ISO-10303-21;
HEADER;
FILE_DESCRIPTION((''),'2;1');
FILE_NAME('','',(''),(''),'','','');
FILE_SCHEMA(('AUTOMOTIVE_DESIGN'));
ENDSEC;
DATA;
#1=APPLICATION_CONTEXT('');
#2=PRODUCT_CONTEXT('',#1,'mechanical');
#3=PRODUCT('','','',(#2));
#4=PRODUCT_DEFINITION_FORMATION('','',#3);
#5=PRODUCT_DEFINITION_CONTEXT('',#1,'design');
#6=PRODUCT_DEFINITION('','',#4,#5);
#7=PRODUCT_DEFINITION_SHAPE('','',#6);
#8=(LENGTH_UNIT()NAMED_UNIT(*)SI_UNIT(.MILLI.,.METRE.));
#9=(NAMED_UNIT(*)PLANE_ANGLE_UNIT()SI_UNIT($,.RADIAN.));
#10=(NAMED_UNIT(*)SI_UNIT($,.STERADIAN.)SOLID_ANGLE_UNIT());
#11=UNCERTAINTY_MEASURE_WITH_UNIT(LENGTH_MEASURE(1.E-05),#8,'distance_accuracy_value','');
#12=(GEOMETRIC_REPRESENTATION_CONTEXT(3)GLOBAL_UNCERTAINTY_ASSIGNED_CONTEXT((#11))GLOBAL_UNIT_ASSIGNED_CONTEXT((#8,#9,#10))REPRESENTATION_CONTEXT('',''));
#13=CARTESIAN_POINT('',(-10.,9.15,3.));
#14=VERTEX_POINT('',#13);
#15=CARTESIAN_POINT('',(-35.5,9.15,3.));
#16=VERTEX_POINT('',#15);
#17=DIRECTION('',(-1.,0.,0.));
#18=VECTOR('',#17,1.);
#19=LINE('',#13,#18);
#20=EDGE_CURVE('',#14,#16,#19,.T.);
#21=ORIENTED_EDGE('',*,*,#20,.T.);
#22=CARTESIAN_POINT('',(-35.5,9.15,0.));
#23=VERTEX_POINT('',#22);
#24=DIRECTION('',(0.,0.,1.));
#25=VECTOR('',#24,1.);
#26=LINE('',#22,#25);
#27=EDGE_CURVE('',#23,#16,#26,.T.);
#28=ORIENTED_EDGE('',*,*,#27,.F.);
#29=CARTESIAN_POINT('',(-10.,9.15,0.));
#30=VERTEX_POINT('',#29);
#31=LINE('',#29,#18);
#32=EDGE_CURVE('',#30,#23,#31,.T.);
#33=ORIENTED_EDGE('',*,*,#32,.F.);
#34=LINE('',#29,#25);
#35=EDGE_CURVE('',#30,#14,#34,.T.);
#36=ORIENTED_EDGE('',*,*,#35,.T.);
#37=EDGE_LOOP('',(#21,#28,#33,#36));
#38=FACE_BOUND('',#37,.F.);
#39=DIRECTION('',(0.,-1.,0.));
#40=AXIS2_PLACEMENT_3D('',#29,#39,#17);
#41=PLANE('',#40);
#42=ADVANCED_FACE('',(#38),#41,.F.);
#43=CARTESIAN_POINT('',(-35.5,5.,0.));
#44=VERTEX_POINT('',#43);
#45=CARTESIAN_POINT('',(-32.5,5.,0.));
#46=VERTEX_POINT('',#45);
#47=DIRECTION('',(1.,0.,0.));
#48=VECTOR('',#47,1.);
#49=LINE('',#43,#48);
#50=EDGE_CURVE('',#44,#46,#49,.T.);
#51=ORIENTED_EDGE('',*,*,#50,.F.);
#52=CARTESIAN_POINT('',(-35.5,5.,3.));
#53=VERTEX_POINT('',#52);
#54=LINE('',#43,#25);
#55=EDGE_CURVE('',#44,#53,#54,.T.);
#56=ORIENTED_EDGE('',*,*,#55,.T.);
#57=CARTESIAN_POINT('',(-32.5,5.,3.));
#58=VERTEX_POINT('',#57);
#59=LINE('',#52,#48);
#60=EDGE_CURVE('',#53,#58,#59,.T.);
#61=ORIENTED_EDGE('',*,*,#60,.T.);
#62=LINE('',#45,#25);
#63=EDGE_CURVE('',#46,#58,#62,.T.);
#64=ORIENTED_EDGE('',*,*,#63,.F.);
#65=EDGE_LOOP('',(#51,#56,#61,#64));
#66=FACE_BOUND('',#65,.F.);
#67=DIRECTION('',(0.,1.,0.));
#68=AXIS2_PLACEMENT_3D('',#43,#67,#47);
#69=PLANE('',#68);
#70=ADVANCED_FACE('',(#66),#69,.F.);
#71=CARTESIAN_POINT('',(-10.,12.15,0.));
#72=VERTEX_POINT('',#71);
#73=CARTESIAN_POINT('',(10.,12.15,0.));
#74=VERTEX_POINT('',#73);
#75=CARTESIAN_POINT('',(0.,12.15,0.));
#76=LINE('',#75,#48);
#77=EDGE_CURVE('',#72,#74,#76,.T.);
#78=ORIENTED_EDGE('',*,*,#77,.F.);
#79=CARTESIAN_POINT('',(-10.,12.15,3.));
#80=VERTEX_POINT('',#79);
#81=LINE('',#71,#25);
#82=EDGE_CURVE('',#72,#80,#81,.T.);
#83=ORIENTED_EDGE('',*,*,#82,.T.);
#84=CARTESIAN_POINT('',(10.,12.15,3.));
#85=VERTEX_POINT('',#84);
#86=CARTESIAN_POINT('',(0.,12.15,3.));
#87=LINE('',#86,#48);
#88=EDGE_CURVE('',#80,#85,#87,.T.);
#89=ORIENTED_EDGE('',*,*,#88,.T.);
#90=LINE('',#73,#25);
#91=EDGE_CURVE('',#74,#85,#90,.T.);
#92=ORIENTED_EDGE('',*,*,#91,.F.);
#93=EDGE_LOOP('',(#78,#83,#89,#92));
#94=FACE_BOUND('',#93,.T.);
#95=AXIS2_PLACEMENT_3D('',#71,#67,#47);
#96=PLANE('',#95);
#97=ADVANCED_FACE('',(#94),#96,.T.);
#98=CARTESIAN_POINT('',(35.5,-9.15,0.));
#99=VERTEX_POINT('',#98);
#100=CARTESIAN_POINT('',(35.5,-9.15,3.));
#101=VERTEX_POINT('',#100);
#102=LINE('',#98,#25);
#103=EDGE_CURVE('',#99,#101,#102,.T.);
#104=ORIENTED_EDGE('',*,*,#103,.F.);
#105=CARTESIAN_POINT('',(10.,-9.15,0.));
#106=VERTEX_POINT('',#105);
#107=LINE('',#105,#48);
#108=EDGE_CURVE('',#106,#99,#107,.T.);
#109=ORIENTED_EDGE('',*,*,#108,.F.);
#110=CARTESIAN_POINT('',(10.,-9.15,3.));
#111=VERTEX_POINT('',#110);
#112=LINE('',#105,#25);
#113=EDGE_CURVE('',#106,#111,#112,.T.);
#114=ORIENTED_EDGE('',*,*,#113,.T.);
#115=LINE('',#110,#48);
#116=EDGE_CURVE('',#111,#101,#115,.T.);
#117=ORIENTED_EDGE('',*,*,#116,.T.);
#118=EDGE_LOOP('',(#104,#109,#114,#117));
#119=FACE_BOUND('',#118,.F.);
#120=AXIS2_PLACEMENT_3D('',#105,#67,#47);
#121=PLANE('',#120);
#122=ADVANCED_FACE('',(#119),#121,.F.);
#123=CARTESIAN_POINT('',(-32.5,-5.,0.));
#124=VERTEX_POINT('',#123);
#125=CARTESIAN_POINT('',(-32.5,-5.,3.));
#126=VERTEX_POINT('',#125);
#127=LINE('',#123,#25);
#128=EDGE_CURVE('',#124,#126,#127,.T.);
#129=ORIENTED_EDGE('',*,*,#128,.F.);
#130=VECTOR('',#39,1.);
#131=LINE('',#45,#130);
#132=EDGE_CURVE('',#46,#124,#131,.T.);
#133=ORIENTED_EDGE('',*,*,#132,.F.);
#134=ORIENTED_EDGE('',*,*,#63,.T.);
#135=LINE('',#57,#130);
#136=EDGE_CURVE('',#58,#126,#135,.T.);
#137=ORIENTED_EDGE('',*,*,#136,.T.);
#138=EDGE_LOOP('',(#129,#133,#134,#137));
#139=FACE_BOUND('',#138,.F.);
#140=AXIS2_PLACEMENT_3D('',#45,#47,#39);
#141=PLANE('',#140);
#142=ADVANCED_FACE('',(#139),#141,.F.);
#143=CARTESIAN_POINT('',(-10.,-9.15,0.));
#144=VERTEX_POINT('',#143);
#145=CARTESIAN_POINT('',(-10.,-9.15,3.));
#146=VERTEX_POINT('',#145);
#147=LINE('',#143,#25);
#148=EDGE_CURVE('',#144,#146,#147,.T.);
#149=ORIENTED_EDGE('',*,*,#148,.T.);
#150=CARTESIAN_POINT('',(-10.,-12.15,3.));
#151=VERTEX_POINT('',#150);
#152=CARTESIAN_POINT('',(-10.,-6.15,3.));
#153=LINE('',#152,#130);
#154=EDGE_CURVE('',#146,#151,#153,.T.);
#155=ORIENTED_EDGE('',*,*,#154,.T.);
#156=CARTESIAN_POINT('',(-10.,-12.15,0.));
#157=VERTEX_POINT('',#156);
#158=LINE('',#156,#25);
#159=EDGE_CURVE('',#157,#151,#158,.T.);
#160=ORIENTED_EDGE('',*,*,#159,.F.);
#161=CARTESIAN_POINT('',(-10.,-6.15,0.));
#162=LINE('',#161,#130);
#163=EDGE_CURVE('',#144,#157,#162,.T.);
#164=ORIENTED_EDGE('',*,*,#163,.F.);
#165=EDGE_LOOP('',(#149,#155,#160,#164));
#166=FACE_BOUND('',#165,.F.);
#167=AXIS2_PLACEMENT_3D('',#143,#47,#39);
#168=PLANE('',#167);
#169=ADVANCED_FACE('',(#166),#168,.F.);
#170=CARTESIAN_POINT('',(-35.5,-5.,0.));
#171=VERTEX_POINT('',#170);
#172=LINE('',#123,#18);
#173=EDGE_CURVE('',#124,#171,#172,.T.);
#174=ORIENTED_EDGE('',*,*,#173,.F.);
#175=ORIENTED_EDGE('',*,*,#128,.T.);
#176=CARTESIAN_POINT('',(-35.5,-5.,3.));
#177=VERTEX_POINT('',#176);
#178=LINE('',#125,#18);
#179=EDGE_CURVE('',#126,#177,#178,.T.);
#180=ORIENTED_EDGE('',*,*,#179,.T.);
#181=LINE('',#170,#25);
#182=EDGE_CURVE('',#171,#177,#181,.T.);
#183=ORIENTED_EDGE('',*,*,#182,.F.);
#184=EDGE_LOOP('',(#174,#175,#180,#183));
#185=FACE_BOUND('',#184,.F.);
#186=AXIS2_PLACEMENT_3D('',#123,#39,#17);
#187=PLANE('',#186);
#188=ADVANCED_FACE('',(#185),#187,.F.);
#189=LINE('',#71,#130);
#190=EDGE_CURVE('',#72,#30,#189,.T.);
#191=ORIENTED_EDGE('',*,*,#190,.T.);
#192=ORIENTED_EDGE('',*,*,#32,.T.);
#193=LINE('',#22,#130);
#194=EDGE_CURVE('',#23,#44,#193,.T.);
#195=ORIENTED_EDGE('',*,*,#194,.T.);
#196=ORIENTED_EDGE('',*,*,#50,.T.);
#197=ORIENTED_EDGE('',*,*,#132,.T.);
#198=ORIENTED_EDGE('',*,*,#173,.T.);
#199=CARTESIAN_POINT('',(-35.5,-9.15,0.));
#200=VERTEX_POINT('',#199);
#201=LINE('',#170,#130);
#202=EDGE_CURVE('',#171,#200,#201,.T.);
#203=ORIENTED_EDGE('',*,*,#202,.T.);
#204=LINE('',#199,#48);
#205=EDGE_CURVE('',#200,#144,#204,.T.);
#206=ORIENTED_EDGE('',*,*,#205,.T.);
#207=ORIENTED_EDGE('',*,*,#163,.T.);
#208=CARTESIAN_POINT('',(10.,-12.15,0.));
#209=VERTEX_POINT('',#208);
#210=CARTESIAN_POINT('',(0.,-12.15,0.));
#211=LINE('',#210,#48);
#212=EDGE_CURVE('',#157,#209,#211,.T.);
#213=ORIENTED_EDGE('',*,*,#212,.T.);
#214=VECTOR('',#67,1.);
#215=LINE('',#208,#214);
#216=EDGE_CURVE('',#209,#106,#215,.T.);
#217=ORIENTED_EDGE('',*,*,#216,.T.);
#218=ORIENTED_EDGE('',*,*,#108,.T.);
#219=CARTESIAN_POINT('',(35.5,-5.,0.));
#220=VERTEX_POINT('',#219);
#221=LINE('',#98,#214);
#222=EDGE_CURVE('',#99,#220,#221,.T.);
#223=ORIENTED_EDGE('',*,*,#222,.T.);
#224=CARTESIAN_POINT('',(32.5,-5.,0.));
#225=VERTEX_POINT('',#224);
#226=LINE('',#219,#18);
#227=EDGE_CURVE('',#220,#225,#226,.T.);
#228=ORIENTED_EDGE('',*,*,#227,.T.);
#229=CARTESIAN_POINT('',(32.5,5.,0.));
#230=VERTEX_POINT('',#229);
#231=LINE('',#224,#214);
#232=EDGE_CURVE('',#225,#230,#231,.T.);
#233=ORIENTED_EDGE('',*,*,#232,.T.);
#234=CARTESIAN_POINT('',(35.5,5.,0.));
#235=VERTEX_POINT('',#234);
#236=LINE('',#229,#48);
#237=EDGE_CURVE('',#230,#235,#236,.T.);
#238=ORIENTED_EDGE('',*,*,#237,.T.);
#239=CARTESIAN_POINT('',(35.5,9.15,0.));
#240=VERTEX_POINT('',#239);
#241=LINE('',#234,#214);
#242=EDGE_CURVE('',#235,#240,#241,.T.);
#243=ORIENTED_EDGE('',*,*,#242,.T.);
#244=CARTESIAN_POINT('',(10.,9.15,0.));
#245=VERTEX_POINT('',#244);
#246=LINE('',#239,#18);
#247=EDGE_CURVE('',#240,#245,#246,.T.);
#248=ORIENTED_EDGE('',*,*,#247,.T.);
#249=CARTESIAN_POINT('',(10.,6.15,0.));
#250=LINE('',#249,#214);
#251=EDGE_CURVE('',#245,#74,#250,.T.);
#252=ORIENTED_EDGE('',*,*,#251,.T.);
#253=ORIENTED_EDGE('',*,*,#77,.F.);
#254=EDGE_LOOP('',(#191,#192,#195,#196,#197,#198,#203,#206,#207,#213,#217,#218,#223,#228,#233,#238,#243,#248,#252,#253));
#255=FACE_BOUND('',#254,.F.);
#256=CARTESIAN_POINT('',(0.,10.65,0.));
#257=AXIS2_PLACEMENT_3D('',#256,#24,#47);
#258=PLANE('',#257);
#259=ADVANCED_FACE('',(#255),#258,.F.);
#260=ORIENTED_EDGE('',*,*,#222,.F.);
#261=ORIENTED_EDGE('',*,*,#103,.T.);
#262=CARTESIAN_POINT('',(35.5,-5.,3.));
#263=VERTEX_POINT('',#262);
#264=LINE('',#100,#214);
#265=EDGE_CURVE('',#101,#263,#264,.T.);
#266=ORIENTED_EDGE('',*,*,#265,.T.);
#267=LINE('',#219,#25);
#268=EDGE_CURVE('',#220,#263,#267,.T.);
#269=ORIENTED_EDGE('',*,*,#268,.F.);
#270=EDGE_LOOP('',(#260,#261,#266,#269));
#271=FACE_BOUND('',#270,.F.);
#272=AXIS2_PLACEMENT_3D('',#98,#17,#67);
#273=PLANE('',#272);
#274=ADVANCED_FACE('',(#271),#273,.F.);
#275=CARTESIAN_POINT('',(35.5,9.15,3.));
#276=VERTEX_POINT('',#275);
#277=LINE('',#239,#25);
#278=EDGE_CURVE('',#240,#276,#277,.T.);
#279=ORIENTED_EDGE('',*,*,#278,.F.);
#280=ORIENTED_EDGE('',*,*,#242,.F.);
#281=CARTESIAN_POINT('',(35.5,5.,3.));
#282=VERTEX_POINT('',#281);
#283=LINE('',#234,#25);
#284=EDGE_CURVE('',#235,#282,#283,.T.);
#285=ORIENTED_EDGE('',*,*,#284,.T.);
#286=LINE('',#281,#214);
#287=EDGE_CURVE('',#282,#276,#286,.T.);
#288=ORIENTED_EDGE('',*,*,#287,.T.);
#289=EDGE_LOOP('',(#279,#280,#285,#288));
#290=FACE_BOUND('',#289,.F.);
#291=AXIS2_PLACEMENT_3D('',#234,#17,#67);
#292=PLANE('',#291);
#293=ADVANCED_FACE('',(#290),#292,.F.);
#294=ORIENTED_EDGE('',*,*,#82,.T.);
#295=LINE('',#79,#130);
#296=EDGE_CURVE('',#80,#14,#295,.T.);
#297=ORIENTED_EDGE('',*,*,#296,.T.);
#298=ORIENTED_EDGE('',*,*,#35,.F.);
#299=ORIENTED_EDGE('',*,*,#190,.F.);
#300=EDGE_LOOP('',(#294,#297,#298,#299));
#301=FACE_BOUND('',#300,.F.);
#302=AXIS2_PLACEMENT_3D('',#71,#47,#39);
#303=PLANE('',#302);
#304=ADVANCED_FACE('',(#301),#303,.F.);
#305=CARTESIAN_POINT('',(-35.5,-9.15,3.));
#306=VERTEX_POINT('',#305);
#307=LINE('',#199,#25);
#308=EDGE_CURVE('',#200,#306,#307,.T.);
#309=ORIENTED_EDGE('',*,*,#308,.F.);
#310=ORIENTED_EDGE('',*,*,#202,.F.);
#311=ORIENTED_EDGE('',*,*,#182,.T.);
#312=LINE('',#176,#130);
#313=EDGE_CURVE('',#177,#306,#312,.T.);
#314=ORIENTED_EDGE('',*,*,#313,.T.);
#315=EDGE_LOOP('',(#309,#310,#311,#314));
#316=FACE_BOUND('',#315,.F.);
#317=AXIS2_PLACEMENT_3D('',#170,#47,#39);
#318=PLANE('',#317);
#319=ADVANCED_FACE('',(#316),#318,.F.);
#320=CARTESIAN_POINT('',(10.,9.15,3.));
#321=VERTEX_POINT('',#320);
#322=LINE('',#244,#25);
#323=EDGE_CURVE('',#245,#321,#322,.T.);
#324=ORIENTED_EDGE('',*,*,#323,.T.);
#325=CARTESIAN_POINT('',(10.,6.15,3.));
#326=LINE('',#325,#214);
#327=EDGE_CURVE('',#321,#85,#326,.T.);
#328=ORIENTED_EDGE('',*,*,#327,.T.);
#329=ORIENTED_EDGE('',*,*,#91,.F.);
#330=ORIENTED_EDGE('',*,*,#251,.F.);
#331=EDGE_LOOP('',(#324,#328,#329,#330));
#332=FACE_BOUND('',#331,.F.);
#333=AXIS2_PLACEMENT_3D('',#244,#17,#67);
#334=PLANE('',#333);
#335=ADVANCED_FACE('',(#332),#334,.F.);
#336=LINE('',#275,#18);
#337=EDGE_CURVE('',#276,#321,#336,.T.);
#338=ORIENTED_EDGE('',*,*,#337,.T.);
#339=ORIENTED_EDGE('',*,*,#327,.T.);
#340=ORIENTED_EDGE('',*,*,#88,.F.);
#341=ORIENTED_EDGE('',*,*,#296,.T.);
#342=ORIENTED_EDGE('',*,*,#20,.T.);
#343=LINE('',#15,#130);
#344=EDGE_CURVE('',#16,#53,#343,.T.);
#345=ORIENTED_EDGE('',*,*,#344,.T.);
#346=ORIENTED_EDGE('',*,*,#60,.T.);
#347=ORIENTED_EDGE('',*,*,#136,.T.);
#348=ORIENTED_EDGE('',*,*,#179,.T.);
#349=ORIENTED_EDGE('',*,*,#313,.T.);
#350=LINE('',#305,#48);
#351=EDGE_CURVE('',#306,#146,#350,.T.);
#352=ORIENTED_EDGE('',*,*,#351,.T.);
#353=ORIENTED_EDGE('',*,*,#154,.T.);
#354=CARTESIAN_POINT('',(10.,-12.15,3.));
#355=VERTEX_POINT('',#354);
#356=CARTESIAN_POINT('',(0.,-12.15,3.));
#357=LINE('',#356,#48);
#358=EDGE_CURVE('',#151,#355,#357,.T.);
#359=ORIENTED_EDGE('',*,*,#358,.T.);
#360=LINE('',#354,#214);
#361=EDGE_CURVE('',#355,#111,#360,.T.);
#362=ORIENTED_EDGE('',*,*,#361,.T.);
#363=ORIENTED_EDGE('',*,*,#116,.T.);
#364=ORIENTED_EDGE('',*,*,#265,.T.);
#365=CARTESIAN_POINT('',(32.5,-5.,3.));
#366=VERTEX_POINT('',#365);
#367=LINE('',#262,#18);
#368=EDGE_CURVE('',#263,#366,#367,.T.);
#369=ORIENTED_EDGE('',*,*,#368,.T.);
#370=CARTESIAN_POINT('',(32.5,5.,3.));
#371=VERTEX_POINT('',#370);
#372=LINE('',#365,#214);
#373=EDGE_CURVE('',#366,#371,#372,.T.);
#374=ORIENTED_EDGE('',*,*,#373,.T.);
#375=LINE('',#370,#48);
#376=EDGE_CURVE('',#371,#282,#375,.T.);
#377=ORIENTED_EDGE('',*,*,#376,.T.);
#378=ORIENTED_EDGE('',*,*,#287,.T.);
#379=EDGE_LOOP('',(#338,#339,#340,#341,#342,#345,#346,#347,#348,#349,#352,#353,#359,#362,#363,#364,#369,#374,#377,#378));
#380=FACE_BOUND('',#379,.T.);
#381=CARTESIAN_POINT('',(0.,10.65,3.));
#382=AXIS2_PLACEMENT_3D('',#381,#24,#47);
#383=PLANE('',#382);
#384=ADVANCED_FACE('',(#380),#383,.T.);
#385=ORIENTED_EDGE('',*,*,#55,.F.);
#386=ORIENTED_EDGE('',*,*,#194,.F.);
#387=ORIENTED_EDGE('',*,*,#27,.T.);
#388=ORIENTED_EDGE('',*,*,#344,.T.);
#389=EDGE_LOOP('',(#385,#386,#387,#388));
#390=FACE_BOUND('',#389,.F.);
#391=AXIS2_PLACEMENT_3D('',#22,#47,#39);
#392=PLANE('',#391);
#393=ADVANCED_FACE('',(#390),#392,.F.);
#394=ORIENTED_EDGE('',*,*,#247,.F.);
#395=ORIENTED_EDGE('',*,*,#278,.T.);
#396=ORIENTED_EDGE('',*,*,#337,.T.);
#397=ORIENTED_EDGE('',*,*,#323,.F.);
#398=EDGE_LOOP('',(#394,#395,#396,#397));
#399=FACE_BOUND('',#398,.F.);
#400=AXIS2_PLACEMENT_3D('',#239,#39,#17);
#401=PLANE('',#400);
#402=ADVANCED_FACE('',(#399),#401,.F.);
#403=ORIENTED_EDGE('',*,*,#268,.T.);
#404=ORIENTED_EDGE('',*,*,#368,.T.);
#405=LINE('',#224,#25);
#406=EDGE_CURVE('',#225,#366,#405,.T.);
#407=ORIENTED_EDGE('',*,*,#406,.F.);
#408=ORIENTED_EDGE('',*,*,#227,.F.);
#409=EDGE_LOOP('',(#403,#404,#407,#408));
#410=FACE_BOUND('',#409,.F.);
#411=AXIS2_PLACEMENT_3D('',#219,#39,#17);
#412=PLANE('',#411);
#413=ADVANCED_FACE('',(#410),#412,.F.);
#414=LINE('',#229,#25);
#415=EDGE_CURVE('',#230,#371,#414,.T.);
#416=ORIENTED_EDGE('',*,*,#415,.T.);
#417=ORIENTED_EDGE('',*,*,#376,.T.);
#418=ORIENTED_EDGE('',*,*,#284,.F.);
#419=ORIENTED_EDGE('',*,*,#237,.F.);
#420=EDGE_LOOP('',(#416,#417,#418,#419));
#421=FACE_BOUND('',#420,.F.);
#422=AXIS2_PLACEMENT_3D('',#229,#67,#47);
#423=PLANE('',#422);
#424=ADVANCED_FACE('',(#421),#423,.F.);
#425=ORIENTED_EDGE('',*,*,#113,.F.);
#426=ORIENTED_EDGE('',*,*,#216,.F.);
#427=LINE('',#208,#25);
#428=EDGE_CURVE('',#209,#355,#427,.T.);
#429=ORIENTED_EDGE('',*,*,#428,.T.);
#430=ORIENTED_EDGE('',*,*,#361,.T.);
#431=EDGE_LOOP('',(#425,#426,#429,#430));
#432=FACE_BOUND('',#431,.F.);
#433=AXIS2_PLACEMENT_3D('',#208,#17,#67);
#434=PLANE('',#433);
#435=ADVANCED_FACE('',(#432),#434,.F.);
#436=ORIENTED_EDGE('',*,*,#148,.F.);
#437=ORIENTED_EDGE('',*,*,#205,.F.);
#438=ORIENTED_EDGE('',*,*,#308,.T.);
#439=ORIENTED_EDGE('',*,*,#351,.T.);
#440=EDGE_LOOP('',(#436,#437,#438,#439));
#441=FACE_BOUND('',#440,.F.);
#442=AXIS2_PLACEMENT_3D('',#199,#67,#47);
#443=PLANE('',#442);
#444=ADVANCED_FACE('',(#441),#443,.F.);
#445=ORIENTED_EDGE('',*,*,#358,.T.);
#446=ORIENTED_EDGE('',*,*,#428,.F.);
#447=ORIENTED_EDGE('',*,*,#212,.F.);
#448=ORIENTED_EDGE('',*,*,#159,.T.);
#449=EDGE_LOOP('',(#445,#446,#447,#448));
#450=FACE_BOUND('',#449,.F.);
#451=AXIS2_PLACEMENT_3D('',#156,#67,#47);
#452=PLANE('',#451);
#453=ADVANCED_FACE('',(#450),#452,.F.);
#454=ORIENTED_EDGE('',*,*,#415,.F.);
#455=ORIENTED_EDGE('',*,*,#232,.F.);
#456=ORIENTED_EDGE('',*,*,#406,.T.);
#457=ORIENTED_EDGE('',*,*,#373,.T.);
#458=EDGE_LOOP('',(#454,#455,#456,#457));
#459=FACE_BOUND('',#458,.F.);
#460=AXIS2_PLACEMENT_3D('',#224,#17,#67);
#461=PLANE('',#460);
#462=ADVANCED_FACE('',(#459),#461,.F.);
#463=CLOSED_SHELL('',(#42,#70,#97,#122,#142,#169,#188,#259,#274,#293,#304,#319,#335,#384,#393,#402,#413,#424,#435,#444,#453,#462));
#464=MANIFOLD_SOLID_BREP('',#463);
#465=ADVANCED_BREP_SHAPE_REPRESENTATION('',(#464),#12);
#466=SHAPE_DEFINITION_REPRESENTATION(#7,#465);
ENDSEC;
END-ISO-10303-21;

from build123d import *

# Parameters (mm, degrees)
F0_W     = 20
F0_H     = 3
F1_DEPTH = 3


with BuildPart() as f1:
    # F0 (on Top) → F1 (new body)
    with BuildSketch(Plane.XY):
        with Locations((0, 10.65)):
            Rectangle(F0_W, F0_H)
        with Locations((0, -10.65)):
            Rectangle(F0_W, F0_H)
        with Locations((0, 7.65)):
            Rectangle(F0_W, F0_H)
        with Locations((0, -7.65)):
            Rectangle(F0_W, F0_H)
        Polygon((-10, 9.15), (-35.5, 9.15), (-35.5, 5), (-32.5, 5), (-32.5, -5), (-35.5, -5), (-35.5, -9.15), (-10, -9.15), (-10, -6.15), (10, -6.15), (10, -9.15), (35.5, -9.15), (35.5, -5), (32.5, -5), (32.5, 5), (35.5, 5), (35.5, 9.15), (10, 9.15), (10, 6.15), (-10, 6.15), align=None)
    extrude(amount=F1_DEPTH)


solid = f1.part
